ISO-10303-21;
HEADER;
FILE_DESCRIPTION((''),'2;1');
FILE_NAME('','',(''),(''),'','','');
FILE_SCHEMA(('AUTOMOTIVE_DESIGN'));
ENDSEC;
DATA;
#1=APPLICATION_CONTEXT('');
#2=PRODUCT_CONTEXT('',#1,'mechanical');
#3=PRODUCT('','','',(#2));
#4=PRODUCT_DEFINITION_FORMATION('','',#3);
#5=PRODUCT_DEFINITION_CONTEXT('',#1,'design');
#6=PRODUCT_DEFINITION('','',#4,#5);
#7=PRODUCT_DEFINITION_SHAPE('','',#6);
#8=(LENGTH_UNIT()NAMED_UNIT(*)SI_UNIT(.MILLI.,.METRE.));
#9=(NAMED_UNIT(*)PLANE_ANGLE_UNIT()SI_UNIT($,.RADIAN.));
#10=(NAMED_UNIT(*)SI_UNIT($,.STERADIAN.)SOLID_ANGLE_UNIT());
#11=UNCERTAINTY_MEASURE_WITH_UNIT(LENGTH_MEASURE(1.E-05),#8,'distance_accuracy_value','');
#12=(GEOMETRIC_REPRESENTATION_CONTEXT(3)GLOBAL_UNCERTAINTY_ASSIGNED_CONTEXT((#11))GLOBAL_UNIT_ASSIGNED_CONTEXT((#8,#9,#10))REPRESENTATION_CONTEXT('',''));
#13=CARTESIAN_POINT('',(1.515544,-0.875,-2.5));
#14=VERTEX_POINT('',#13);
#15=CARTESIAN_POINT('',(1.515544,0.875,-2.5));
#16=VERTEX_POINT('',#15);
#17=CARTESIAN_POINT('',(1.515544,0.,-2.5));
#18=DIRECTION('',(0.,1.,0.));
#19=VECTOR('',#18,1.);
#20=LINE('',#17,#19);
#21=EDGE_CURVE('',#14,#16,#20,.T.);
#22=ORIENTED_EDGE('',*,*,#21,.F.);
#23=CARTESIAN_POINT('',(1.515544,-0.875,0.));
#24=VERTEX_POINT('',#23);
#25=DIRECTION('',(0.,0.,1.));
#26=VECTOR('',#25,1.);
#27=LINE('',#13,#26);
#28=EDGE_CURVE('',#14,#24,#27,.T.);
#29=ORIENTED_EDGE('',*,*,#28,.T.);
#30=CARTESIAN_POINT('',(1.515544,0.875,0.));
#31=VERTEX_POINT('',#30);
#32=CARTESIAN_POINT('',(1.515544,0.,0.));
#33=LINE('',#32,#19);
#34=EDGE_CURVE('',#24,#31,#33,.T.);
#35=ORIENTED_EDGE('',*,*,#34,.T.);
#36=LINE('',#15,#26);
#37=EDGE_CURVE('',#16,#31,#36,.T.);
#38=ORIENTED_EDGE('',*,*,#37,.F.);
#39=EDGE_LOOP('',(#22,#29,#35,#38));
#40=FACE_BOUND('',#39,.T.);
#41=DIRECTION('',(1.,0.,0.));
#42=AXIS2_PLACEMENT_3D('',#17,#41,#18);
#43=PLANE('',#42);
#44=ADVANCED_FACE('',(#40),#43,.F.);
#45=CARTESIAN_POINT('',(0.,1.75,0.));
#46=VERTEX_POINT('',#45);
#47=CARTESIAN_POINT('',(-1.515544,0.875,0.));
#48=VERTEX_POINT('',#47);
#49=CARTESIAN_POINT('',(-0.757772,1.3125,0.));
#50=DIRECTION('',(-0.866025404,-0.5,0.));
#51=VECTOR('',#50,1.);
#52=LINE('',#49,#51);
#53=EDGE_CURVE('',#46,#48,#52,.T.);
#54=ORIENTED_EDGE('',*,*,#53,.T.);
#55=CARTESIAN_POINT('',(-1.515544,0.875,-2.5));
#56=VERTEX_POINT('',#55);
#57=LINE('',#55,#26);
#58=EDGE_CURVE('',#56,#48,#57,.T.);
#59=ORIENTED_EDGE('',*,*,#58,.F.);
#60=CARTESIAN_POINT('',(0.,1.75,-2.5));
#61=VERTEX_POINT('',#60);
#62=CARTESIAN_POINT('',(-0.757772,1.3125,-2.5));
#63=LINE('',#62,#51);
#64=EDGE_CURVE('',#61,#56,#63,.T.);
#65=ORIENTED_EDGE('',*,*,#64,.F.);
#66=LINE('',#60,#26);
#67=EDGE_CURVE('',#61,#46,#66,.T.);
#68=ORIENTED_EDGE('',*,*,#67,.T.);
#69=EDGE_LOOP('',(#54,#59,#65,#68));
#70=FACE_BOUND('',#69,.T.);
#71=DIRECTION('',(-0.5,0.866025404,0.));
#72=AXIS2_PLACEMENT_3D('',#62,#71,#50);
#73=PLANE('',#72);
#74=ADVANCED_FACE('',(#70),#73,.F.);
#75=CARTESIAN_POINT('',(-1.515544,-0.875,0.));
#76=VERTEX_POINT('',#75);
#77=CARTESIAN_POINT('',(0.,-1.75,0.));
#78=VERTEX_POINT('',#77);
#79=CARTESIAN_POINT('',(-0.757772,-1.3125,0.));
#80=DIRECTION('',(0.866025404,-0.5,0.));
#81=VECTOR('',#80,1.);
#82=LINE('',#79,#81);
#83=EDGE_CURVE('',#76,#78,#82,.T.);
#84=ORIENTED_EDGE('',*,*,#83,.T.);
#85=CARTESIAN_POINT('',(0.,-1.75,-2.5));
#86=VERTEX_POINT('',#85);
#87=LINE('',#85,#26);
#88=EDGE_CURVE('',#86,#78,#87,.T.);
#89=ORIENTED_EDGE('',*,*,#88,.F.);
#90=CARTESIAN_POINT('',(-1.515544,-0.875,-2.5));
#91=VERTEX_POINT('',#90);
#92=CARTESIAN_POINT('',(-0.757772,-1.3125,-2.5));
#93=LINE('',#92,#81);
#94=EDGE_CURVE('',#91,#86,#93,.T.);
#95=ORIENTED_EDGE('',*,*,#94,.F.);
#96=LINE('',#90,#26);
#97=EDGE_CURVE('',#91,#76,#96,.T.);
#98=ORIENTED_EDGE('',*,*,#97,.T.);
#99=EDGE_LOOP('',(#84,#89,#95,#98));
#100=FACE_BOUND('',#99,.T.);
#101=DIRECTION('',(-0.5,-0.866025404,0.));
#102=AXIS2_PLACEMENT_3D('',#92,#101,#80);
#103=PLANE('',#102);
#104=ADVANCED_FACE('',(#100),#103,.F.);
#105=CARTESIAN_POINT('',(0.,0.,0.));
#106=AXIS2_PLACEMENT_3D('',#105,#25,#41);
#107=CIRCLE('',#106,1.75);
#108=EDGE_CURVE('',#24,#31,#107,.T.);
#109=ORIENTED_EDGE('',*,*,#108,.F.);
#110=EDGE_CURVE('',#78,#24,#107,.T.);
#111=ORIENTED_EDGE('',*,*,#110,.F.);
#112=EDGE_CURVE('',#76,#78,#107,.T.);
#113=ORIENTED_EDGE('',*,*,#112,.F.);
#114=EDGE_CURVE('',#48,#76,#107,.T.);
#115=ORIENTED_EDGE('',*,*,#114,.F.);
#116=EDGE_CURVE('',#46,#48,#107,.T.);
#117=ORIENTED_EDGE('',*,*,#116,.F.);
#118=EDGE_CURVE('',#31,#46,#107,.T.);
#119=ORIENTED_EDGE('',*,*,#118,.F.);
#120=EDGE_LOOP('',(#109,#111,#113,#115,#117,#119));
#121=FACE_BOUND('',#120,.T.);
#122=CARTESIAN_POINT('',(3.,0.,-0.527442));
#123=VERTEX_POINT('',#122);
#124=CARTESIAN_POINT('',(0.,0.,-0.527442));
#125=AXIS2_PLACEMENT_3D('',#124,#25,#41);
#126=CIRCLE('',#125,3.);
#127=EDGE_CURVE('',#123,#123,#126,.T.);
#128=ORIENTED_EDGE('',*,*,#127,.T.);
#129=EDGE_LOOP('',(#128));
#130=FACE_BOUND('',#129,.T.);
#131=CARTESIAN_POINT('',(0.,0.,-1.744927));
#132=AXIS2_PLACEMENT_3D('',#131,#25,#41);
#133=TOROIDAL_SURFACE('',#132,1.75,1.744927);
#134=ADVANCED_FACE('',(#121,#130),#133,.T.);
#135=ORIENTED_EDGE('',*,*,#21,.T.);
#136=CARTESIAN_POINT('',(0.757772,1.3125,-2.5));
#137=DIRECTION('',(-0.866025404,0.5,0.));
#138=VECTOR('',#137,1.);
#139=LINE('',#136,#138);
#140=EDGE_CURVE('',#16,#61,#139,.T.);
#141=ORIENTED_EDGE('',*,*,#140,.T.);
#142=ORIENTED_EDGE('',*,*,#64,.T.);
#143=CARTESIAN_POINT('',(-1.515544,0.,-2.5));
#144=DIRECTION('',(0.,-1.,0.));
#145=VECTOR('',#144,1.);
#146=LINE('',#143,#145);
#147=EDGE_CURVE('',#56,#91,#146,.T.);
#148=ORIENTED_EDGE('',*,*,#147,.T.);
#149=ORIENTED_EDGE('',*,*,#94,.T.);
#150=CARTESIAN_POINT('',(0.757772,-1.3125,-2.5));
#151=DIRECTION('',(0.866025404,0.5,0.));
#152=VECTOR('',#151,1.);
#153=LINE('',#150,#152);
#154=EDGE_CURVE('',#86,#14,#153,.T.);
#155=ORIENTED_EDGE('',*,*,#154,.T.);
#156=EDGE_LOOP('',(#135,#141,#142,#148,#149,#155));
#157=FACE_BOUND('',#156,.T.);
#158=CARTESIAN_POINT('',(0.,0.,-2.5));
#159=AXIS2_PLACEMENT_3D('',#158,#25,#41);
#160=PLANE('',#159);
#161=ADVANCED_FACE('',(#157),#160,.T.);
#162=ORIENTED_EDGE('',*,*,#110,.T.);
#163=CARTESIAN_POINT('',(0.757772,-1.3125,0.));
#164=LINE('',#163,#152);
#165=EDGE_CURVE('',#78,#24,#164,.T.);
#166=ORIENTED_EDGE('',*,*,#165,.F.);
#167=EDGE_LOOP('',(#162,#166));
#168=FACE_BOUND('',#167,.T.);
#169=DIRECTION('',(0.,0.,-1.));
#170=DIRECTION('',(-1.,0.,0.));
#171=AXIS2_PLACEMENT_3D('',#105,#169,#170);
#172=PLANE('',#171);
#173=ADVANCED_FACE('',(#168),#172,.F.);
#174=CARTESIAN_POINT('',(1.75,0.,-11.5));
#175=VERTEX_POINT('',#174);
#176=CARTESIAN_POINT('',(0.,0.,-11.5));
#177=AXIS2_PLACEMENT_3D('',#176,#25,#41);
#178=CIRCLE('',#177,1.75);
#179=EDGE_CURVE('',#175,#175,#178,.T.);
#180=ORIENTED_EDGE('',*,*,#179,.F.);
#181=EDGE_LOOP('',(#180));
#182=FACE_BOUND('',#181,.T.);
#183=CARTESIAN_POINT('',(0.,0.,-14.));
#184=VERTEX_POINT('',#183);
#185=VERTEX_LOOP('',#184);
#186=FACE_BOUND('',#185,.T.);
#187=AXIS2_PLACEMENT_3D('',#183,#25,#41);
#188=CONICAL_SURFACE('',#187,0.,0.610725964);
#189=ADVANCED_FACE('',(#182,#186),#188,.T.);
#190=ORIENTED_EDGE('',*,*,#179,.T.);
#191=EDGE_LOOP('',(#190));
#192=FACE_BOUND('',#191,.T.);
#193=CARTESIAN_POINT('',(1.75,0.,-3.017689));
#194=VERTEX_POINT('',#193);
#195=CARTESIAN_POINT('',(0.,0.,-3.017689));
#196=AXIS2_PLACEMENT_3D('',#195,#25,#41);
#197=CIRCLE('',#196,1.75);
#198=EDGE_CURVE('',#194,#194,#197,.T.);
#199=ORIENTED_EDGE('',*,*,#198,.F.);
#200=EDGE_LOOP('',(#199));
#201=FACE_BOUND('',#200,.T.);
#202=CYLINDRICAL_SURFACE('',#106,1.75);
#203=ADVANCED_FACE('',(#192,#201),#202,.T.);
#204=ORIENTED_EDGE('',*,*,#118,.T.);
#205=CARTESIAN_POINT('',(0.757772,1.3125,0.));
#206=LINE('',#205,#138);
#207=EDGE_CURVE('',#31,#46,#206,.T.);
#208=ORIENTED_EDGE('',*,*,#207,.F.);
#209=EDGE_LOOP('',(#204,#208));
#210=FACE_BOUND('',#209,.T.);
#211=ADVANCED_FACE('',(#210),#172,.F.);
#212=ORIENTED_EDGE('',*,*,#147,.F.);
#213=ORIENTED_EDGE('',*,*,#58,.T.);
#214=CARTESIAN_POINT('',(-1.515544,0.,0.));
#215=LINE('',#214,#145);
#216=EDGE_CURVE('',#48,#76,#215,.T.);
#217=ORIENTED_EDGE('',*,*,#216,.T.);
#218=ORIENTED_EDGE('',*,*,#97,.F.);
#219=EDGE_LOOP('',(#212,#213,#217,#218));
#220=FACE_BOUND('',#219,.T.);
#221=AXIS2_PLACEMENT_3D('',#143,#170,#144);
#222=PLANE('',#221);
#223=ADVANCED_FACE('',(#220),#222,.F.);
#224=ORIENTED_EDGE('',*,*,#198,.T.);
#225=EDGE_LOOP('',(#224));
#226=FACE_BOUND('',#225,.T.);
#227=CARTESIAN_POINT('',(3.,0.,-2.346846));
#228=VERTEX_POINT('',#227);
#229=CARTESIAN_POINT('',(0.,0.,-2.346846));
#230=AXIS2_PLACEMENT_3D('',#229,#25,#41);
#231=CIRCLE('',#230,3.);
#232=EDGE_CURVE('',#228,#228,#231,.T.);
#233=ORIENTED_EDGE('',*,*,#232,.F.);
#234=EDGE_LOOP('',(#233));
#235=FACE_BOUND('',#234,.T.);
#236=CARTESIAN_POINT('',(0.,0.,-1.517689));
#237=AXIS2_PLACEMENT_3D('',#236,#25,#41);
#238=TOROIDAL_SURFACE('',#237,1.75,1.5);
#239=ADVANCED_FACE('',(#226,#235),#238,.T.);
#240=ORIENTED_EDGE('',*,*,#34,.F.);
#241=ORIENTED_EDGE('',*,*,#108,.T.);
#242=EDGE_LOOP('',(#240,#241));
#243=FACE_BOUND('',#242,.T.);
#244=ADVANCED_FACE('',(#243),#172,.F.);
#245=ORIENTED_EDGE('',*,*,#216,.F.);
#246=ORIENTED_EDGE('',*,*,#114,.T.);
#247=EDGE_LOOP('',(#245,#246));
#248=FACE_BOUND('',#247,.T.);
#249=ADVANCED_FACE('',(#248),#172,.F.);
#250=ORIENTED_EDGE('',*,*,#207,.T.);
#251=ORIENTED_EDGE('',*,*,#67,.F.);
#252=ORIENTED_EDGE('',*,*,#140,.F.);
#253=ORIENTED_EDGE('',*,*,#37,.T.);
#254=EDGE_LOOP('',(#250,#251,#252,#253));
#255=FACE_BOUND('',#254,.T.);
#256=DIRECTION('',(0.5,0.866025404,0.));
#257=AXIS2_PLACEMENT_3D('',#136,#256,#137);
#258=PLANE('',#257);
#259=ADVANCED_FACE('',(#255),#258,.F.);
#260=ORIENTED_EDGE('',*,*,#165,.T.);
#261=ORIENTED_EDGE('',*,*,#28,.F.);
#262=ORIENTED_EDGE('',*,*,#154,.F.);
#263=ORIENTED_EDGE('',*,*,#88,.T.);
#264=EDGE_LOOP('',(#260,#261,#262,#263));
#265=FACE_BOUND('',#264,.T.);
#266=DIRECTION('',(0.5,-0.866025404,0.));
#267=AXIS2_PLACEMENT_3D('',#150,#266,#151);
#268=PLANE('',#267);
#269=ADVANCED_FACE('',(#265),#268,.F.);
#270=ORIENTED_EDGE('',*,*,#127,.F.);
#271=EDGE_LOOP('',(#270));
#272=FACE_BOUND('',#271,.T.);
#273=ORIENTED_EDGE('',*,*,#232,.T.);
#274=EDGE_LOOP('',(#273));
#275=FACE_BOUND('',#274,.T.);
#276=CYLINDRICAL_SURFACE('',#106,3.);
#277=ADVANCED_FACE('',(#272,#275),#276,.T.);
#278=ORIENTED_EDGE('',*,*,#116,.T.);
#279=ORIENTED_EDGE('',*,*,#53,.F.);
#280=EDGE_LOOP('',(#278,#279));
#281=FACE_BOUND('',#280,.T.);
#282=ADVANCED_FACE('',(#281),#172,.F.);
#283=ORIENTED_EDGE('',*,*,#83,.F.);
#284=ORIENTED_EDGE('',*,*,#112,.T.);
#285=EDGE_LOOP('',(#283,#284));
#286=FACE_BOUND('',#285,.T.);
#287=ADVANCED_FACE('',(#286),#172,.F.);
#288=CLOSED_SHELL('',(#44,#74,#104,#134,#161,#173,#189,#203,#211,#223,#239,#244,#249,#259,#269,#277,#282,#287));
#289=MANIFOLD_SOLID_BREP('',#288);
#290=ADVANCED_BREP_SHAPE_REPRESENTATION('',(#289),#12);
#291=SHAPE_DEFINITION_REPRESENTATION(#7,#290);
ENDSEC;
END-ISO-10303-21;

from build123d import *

# Parameters (mm, degrees)
CUT_EXTRUDE1_DEPTH = 2.5


with BuildPart() as part:
    # Sketch1 → Revolve1 (revolve)
    with BuildSketch(Plane(origin=(0, 0, 0), x_dir=(0, 0, -1), z_dir=(1, 0, 0)), mode=Mode.PRIVATE) as revolve1_sk:
        with BuildLine():
            Line((0, 0), (14, 0))
            Line((14, 0), (11.5, 1.75))
            Line((11.5, 1.75), (3.017689414, 1.75))
            ThreePointArc((3.017689414, 1.75), (2.839380432, 2.459318583), (2.346845612, 3))
            Line((2.346845612, 3), (0.527441756, 3))
            ThreePointArc((0.527441756, 3), (0.137258951, 2.428361041), (0, 1.75))
            Line((0, 1.75), (0, 0))
        make_face()
    revolve(revolve1_sk.sketch.rotate(Axis((0, 0, 0), (0, 0, -1)), 90), axis=Axis((0, 0, 0), (0, 0, -1)))

    # Sketch7 → Cut-Extrude1 (cut)
    with BuildSketch(Plane.XY):
        Polygon((-1.515544457, 0.875), (-1.515544457, -0.875), (0, -1.75), (1.515544457, -0.875), (1.515544457, 0.875), (0, 1.75), align=None)
    extrude(amount=-CUT_EXTRUDE1_DEPTH, mode=Mode.SUBTRACT)


solid = part.part
